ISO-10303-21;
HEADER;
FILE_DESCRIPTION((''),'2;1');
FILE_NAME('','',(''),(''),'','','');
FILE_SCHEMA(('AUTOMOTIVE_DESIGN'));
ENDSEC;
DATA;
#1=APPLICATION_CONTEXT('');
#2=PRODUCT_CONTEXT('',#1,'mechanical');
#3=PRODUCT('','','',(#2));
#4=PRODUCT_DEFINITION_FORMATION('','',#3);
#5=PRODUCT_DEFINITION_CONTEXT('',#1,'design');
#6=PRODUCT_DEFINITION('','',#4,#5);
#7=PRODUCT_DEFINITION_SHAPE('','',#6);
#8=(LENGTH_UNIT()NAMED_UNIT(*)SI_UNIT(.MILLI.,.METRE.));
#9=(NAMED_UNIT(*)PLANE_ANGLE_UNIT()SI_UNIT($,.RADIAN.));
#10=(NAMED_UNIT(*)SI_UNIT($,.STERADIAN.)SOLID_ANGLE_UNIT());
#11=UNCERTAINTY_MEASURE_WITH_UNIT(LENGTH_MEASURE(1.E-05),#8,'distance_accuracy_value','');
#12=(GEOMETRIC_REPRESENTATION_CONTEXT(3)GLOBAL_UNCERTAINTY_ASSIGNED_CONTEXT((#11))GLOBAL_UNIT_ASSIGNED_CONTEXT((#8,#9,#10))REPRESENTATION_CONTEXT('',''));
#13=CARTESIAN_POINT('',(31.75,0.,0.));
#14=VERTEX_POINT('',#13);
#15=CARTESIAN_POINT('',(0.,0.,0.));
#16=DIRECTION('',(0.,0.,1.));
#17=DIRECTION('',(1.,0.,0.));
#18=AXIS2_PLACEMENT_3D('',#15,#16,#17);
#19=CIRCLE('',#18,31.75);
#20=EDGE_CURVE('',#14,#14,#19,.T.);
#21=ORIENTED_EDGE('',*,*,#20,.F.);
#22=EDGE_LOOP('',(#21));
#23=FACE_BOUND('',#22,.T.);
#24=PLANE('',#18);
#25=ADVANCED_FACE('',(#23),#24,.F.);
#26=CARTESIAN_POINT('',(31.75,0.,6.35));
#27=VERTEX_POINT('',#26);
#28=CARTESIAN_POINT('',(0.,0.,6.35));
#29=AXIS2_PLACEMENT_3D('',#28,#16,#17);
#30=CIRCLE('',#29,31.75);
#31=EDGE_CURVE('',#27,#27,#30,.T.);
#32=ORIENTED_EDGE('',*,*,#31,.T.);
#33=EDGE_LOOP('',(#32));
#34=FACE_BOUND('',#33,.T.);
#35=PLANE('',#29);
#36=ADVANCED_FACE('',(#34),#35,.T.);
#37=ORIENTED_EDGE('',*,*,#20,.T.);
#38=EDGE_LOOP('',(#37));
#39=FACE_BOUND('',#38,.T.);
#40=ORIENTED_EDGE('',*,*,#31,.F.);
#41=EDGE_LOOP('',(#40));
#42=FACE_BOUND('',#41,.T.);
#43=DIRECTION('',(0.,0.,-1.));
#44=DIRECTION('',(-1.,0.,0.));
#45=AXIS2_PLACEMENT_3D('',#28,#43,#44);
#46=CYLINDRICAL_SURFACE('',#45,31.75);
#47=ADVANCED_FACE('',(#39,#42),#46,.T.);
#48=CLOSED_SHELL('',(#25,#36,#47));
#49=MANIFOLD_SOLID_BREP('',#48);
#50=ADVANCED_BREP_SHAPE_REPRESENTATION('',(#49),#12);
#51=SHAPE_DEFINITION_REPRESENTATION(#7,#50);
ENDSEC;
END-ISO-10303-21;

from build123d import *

# Parameters (mm, degrees)
SKETCH1_R           = 31.75
BOSS_EXTRUDE1_DEPTH = 6.35


with BuildPart() as part:
    # Sketch1 → Boss-Extrude1 (new body)
    with BuildSketch(Plane.XY):
        Circle(SKETCH1_R)
    extrude(amount=BOSS_EXTRUDE1_DEPTH)


solid = part.part
